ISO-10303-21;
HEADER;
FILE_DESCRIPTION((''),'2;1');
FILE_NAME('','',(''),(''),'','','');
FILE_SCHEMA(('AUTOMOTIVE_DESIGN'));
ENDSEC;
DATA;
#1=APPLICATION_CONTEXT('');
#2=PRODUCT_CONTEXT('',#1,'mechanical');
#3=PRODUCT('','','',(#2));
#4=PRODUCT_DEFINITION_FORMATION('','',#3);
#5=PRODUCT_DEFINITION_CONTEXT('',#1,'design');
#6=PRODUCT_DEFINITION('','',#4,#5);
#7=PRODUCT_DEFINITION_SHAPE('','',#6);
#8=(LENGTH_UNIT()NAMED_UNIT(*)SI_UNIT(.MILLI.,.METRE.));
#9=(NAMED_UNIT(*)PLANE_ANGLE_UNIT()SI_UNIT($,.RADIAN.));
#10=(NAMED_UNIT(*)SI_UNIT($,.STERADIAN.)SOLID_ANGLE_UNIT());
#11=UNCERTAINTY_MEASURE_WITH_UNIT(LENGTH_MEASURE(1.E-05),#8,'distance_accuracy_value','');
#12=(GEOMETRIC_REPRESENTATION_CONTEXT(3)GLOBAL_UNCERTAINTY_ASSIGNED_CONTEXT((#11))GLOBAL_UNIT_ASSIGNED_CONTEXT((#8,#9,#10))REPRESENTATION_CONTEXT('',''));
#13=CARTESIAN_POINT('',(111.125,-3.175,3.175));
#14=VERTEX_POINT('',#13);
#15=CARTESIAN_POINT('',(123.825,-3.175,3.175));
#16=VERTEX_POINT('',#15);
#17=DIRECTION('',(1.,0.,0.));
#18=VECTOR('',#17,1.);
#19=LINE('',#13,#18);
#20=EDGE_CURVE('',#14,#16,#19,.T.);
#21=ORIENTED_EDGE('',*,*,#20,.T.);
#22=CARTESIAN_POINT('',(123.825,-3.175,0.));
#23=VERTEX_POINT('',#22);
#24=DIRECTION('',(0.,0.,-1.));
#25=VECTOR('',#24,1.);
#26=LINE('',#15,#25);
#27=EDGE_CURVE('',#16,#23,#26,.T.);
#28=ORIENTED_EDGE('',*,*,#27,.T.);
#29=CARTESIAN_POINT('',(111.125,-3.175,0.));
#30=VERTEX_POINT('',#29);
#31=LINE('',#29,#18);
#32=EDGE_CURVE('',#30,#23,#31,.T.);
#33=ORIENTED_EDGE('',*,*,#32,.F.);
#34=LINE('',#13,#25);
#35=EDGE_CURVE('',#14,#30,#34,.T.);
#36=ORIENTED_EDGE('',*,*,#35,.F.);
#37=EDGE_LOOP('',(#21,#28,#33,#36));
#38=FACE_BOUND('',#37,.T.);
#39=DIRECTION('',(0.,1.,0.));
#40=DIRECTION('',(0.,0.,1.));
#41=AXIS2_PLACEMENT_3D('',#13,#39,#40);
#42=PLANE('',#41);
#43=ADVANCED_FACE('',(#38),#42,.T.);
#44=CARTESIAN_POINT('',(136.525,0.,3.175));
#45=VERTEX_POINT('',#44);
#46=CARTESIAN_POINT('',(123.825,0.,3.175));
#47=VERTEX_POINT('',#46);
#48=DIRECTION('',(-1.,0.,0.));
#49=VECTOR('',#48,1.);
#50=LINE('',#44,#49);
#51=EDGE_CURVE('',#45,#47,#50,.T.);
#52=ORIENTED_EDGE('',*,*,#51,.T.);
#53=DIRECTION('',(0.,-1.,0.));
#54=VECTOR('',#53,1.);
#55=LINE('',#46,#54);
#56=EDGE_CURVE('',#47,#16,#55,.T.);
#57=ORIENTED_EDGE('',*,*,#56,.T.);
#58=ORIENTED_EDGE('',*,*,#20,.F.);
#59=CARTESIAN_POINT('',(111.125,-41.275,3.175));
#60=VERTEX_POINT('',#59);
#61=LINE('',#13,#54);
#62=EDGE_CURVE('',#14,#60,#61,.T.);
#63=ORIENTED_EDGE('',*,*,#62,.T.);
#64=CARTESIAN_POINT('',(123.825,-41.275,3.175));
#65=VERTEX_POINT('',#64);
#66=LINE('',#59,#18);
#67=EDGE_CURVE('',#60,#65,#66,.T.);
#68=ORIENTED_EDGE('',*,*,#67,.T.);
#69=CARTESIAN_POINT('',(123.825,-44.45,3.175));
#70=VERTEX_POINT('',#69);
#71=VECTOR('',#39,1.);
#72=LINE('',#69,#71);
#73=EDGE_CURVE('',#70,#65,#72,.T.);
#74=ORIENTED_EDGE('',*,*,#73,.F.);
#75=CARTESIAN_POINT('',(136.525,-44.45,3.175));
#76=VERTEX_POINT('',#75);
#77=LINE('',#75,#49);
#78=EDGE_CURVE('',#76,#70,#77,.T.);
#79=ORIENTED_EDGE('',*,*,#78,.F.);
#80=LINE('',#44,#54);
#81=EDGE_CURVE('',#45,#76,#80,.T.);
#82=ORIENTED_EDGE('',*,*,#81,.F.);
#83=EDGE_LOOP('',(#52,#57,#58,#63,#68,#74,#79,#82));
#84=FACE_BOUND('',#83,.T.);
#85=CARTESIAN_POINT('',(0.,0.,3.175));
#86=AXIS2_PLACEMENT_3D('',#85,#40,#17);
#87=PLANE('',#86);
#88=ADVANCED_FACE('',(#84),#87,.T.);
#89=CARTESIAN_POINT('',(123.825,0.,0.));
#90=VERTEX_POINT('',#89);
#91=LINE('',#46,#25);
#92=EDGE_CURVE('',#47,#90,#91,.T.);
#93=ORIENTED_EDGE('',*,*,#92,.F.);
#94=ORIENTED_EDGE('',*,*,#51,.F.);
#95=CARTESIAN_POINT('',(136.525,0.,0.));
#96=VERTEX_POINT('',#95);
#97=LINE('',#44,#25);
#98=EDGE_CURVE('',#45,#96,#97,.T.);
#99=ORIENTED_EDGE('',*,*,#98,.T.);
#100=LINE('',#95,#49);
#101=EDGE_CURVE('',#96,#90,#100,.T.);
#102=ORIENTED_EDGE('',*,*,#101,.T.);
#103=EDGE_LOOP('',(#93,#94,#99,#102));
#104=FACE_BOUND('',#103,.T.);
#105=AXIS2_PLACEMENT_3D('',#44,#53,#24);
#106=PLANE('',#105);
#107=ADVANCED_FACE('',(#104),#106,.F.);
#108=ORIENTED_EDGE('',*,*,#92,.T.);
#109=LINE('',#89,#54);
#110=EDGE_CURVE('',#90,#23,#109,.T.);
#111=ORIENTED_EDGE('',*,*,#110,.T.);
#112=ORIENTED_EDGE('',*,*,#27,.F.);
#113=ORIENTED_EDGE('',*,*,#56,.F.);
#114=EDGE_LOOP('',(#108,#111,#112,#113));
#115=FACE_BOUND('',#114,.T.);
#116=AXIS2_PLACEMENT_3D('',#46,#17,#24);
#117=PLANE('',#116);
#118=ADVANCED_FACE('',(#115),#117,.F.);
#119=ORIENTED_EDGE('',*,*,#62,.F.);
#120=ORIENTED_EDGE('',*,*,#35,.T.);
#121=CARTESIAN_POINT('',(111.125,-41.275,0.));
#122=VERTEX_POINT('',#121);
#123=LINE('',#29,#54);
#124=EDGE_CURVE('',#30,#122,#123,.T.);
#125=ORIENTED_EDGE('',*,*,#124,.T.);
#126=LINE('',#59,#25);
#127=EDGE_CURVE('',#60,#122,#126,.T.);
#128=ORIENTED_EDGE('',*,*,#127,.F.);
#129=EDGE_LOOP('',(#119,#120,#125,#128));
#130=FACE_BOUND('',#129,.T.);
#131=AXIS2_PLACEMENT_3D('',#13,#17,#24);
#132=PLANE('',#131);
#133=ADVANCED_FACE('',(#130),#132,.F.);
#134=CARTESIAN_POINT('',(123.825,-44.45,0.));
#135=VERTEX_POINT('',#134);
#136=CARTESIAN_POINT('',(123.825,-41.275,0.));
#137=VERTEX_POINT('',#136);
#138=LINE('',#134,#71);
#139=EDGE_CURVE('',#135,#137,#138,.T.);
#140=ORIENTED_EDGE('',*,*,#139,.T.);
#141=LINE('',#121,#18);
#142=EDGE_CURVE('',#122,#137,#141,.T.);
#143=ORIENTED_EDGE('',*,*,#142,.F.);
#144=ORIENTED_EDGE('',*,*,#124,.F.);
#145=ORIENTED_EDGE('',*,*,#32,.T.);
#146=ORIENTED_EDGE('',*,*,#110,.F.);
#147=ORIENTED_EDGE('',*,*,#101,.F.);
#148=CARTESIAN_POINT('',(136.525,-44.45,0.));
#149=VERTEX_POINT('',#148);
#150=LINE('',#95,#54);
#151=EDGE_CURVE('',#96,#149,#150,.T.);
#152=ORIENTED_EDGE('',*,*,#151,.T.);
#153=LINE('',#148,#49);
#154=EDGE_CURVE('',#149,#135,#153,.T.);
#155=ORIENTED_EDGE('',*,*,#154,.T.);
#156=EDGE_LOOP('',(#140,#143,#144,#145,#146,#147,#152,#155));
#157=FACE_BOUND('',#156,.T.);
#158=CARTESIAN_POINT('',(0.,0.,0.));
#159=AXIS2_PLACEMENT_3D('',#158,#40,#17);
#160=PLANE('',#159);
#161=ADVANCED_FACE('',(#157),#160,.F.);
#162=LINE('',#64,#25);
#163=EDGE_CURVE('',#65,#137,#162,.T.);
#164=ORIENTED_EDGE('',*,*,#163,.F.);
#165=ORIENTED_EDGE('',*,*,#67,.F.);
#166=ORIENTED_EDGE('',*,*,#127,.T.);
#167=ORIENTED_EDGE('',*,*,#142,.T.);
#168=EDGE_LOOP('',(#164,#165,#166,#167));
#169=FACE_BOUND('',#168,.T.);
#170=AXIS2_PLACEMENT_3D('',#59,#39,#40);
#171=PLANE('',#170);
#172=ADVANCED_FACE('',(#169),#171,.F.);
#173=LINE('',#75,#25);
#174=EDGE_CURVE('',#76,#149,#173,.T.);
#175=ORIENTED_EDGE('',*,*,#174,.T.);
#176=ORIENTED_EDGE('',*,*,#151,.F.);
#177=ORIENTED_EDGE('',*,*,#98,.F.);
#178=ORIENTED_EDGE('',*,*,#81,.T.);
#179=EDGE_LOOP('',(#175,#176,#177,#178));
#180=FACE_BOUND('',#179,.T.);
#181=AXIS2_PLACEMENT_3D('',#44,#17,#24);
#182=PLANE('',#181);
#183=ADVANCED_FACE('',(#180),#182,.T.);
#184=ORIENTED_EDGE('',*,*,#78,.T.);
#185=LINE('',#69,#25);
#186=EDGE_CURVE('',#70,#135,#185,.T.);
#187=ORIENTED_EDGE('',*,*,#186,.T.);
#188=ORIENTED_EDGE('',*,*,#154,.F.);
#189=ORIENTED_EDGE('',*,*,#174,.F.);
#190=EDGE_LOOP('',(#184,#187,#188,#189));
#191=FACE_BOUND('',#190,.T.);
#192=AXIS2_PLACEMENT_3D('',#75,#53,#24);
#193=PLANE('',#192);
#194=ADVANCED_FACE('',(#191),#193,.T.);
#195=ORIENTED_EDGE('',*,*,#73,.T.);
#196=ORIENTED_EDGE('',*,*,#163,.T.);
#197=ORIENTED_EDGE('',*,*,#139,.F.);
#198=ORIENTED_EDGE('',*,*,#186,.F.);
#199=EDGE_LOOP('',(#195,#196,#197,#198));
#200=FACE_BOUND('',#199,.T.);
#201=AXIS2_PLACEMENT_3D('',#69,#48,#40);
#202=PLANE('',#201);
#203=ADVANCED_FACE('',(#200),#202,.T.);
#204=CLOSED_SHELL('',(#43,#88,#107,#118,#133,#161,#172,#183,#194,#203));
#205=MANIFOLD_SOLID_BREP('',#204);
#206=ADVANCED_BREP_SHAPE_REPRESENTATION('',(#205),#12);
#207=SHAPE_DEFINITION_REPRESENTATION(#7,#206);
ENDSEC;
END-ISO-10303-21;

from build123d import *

# Parameters (mm, degrees)
BOSS_EXTRUDE1_DEPTH = 3.175


with BuildPart() as part:
    # Sketch1 → Boss-Extrude1 (new body)
    with BuildSketch(Plane.XY):
        Polygon((136.525, 0), (123.825, 0), (123.825, -3.175), (111.125, -3.175), (111.125, -41.275), (123.825, -41.275), (123.825, -44.45), (136.525, -44.45), align=None)
    extrude(amount=BOSS_EXTRUDE1_DEPTH)


solid = part.part
